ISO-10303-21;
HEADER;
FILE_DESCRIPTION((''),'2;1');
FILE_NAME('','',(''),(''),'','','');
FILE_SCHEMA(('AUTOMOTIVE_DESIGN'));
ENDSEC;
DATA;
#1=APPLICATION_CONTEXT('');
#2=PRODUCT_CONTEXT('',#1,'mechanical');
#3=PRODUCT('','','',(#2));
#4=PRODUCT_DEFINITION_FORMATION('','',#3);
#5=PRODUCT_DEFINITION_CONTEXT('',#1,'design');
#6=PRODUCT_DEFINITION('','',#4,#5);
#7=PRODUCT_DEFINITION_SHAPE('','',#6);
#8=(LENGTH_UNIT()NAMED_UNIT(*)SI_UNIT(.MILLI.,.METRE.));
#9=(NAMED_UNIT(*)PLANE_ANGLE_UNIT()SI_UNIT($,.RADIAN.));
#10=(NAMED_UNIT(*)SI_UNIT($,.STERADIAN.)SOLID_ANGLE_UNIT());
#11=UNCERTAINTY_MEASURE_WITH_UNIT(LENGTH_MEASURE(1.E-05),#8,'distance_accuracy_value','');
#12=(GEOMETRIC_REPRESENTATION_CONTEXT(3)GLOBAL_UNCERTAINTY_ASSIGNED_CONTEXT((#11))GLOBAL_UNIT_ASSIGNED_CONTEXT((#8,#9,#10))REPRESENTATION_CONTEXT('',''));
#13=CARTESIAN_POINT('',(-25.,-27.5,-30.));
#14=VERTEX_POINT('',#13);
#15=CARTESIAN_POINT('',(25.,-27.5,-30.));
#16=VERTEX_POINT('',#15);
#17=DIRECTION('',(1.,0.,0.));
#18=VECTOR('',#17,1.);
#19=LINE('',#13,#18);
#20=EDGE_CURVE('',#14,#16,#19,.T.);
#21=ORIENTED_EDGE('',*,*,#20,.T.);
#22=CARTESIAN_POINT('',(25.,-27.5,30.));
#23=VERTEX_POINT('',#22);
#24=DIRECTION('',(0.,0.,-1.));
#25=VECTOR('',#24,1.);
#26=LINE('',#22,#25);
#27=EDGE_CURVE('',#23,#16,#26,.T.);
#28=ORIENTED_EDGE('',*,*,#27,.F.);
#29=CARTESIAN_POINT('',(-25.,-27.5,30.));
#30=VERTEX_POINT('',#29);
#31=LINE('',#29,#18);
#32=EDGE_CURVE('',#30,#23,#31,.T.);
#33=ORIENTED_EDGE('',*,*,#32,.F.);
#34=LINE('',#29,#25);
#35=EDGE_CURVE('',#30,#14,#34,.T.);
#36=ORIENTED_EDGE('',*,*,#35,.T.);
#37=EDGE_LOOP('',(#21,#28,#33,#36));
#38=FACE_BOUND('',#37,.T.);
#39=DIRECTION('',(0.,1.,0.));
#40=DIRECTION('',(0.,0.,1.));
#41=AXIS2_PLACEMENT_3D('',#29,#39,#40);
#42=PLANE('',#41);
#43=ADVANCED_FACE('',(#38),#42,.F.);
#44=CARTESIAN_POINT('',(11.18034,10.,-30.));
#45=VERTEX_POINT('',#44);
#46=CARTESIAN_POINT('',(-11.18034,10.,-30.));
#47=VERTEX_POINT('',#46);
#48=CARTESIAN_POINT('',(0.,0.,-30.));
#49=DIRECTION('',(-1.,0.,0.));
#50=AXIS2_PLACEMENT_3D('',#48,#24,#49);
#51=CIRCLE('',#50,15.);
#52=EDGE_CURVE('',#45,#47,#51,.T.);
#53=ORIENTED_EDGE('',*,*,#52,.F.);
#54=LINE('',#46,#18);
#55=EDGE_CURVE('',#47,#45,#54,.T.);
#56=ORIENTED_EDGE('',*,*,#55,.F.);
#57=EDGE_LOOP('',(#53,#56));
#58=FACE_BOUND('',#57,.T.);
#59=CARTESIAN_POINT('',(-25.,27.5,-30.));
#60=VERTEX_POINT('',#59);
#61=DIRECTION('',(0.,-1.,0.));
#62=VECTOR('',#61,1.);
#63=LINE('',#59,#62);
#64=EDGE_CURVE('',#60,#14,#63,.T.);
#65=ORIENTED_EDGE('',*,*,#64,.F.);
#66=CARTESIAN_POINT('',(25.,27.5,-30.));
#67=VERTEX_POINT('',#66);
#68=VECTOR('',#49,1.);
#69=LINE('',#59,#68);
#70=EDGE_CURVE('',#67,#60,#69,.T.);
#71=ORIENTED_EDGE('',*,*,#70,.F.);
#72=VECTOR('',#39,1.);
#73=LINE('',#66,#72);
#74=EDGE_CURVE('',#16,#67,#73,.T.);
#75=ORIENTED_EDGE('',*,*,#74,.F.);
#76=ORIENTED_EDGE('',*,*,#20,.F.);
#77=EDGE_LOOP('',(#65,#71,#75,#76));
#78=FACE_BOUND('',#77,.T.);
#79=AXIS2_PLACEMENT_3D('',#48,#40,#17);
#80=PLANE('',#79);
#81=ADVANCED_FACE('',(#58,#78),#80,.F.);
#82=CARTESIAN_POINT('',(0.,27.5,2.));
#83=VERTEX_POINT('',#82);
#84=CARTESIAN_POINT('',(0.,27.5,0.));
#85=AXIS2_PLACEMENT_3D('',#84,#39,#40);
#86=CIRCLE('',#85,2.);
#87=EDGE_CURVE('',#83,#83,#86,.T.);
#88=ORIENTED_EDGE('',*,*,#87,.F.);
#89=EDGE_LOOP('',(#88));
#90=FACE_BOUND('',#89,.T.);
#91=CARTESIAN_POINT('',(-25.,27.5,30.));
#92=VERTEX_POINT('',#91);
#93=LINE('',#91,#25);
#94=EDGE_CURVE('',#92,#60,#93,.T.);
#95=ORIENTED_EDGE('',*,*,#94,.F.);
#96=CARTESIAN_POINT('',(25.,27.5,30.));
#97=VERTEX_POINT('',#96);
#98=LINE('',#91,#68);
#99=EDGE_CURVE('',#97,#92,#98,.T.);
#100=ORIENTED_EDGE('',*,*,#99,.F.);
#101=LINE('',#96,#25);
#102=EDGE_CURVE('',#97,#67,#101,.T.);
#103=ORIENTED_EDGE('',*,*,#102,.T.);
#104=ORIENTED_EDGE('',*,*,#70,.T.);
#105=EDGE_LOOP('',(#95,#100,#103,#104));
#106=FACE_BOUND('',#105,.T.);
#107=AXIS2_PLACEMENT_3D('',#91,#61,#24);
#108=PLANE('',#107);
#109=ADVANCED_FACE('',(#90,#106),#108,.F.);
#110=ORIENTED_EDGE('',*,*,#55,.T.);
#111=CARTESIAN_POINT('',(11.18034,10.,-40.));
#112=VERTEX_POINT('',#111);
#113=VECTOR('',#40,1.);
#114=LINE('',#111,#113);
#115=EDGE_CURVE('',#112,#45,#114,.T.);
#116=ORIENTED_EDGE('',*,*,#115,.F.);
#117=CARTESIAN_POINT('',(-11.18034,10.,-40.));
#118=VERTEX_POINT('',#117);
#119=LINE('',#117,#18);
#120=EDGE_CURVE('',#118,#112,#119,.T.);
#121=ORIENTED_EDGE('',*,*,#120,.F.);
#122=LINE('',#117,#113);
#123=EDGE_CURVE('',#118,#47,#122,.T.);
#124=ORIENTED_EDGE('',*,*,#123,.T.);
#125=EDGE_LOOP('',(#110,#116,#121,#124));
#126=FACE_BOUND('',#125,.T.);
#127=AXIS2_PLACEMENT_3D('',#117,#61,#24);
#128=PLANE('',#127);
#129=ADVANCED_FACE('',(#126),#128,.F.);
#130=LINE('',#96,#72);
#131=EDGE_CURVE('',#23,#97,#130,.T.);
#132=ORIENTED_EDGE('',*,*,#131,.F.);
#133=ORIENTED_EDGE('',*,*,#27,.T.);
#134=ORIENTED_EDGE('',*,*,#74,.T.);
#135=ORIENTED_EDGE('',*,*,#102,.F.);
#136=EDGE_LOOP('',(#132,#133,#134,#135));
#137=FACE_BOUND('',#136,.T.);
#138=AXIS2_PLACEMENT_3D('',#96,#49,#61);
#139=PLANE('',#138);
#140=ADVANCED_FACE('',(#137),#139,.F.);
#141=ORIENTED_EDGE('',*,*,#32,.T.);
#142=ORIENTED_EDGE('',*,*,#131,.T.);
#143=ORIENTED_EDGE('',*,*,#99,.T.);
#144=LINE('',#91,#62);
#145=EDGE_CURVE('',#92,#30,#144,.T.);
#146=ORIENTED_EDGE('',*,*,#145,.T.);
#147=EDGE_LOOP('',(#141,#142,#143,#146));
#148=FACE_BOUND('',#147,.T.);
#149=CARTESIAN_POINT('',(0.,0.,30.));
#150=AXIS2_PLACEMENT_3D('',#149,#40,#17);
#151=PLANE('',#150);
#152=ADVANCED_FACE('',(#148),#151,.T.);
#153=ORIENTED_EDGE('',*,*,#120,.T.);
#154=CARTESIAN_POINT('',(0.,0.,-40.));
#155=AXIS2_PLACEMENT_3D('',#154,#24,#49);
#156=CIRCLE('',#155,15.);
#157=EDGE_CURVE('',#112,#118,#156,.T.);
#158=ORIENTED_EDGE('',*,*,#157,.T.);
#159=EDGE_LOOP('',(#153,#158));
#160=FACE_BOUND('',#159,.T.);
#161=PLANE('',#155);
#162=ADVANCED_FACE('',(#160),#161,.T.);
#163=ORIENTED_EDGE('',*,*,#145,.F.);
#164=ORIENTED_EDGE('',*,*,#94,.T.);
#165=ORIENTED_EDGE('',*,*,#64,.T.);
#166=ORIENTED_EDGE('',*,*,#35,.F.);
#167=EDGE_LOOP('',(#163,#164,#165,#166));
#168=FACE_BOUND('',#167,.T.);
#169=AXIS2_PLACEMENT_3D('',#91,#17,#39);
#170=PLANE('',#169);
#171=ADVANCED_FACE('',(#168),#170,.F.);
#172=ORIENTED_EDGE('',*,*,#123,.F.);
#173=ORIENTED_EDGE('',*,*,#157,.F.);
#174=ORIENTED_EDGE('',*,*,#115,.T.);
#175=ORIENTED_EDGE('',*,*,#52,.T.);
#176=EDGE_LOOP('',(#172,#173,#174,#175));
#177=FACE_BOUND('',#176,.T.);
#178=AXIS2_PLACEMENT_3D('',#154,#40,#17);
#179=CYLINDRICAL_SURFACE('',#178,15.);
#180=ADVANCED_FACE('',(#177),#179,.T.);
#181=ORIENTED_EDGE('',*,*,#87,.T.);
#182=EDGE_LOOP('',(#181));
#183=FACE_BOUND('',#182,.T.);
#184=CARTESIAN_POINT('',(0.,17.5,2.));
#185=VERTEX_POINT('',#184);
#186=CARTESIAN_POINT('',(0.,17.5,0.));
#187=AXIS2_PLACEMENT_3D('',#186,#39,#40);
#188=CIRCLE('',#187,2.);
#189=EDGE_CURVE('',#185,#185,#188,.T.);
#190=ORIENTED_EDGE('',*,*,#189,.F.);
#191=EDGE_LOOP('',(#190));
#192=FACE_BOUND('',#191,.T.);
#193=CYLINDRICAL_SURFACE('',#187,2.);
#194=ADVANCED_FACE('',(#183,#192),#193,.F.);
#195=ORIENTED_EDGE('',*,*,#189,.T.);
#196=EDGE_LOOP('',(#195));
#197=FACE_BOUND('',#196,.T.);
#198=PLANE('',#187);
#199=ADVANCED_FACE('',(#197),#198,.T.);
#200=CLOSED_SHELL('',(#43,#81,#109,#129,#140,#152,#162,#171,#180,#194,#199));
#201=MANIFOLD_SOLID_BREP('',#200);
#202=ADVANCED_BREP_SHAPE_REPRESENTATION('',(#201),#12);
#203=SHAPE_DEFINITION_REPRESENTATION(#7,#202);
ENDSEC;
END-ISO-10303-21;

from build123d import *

# Parameters (mm, degrees)
SKETCH_1_W          = 50
SKETCH_1_H          = 55
EXTRUDE_1_DEPTH     = 30
EXTRUDE_2_DEPTH     = 10
SKETCH_3_R          = 2
CUT_EXTRUDE_1_DEPTH = 10


with BuildPart() as part:
    # 草图1 → 凸台-拉伸1 (new body, symmetric)
    with BuildSketch(Plane.XY):
        Rectangle(SKETCH_1_W, SKETCH_1_H)
    extrude(amount=EXTRUDE_1_DEPTH, both=True)

    # 草图2 → 凸台-拉伸2 (add)
    with BuildSketch(Plane(origin=(0, 0, -30), x_dir=(-1, 0, 0), z_dir=(0, 0, -1))):
        with BuildLine():
            Line((11.180339887, 10), (-11.180339887, 10))
            ThreePointArc((-11.180339887, 10), (0, -15), (11.180339887, 10))
        make_face()
    extrude(amount=EXTRUDE_2_DEPTH)

    # 草图3 → 切除-拉伸1 (cut)
    with BuildSketch(Plane(origin=(0, 27.5, 0), x_dir=(1, 0, 0), z_dir=(0, 1, 0))):
        Circle(SKETCH_3_R)
    extrude(amount=-CUT_EXTRUDE_1_DEPTH, mode=Mode.SUBTRACT)


solid = part.part
